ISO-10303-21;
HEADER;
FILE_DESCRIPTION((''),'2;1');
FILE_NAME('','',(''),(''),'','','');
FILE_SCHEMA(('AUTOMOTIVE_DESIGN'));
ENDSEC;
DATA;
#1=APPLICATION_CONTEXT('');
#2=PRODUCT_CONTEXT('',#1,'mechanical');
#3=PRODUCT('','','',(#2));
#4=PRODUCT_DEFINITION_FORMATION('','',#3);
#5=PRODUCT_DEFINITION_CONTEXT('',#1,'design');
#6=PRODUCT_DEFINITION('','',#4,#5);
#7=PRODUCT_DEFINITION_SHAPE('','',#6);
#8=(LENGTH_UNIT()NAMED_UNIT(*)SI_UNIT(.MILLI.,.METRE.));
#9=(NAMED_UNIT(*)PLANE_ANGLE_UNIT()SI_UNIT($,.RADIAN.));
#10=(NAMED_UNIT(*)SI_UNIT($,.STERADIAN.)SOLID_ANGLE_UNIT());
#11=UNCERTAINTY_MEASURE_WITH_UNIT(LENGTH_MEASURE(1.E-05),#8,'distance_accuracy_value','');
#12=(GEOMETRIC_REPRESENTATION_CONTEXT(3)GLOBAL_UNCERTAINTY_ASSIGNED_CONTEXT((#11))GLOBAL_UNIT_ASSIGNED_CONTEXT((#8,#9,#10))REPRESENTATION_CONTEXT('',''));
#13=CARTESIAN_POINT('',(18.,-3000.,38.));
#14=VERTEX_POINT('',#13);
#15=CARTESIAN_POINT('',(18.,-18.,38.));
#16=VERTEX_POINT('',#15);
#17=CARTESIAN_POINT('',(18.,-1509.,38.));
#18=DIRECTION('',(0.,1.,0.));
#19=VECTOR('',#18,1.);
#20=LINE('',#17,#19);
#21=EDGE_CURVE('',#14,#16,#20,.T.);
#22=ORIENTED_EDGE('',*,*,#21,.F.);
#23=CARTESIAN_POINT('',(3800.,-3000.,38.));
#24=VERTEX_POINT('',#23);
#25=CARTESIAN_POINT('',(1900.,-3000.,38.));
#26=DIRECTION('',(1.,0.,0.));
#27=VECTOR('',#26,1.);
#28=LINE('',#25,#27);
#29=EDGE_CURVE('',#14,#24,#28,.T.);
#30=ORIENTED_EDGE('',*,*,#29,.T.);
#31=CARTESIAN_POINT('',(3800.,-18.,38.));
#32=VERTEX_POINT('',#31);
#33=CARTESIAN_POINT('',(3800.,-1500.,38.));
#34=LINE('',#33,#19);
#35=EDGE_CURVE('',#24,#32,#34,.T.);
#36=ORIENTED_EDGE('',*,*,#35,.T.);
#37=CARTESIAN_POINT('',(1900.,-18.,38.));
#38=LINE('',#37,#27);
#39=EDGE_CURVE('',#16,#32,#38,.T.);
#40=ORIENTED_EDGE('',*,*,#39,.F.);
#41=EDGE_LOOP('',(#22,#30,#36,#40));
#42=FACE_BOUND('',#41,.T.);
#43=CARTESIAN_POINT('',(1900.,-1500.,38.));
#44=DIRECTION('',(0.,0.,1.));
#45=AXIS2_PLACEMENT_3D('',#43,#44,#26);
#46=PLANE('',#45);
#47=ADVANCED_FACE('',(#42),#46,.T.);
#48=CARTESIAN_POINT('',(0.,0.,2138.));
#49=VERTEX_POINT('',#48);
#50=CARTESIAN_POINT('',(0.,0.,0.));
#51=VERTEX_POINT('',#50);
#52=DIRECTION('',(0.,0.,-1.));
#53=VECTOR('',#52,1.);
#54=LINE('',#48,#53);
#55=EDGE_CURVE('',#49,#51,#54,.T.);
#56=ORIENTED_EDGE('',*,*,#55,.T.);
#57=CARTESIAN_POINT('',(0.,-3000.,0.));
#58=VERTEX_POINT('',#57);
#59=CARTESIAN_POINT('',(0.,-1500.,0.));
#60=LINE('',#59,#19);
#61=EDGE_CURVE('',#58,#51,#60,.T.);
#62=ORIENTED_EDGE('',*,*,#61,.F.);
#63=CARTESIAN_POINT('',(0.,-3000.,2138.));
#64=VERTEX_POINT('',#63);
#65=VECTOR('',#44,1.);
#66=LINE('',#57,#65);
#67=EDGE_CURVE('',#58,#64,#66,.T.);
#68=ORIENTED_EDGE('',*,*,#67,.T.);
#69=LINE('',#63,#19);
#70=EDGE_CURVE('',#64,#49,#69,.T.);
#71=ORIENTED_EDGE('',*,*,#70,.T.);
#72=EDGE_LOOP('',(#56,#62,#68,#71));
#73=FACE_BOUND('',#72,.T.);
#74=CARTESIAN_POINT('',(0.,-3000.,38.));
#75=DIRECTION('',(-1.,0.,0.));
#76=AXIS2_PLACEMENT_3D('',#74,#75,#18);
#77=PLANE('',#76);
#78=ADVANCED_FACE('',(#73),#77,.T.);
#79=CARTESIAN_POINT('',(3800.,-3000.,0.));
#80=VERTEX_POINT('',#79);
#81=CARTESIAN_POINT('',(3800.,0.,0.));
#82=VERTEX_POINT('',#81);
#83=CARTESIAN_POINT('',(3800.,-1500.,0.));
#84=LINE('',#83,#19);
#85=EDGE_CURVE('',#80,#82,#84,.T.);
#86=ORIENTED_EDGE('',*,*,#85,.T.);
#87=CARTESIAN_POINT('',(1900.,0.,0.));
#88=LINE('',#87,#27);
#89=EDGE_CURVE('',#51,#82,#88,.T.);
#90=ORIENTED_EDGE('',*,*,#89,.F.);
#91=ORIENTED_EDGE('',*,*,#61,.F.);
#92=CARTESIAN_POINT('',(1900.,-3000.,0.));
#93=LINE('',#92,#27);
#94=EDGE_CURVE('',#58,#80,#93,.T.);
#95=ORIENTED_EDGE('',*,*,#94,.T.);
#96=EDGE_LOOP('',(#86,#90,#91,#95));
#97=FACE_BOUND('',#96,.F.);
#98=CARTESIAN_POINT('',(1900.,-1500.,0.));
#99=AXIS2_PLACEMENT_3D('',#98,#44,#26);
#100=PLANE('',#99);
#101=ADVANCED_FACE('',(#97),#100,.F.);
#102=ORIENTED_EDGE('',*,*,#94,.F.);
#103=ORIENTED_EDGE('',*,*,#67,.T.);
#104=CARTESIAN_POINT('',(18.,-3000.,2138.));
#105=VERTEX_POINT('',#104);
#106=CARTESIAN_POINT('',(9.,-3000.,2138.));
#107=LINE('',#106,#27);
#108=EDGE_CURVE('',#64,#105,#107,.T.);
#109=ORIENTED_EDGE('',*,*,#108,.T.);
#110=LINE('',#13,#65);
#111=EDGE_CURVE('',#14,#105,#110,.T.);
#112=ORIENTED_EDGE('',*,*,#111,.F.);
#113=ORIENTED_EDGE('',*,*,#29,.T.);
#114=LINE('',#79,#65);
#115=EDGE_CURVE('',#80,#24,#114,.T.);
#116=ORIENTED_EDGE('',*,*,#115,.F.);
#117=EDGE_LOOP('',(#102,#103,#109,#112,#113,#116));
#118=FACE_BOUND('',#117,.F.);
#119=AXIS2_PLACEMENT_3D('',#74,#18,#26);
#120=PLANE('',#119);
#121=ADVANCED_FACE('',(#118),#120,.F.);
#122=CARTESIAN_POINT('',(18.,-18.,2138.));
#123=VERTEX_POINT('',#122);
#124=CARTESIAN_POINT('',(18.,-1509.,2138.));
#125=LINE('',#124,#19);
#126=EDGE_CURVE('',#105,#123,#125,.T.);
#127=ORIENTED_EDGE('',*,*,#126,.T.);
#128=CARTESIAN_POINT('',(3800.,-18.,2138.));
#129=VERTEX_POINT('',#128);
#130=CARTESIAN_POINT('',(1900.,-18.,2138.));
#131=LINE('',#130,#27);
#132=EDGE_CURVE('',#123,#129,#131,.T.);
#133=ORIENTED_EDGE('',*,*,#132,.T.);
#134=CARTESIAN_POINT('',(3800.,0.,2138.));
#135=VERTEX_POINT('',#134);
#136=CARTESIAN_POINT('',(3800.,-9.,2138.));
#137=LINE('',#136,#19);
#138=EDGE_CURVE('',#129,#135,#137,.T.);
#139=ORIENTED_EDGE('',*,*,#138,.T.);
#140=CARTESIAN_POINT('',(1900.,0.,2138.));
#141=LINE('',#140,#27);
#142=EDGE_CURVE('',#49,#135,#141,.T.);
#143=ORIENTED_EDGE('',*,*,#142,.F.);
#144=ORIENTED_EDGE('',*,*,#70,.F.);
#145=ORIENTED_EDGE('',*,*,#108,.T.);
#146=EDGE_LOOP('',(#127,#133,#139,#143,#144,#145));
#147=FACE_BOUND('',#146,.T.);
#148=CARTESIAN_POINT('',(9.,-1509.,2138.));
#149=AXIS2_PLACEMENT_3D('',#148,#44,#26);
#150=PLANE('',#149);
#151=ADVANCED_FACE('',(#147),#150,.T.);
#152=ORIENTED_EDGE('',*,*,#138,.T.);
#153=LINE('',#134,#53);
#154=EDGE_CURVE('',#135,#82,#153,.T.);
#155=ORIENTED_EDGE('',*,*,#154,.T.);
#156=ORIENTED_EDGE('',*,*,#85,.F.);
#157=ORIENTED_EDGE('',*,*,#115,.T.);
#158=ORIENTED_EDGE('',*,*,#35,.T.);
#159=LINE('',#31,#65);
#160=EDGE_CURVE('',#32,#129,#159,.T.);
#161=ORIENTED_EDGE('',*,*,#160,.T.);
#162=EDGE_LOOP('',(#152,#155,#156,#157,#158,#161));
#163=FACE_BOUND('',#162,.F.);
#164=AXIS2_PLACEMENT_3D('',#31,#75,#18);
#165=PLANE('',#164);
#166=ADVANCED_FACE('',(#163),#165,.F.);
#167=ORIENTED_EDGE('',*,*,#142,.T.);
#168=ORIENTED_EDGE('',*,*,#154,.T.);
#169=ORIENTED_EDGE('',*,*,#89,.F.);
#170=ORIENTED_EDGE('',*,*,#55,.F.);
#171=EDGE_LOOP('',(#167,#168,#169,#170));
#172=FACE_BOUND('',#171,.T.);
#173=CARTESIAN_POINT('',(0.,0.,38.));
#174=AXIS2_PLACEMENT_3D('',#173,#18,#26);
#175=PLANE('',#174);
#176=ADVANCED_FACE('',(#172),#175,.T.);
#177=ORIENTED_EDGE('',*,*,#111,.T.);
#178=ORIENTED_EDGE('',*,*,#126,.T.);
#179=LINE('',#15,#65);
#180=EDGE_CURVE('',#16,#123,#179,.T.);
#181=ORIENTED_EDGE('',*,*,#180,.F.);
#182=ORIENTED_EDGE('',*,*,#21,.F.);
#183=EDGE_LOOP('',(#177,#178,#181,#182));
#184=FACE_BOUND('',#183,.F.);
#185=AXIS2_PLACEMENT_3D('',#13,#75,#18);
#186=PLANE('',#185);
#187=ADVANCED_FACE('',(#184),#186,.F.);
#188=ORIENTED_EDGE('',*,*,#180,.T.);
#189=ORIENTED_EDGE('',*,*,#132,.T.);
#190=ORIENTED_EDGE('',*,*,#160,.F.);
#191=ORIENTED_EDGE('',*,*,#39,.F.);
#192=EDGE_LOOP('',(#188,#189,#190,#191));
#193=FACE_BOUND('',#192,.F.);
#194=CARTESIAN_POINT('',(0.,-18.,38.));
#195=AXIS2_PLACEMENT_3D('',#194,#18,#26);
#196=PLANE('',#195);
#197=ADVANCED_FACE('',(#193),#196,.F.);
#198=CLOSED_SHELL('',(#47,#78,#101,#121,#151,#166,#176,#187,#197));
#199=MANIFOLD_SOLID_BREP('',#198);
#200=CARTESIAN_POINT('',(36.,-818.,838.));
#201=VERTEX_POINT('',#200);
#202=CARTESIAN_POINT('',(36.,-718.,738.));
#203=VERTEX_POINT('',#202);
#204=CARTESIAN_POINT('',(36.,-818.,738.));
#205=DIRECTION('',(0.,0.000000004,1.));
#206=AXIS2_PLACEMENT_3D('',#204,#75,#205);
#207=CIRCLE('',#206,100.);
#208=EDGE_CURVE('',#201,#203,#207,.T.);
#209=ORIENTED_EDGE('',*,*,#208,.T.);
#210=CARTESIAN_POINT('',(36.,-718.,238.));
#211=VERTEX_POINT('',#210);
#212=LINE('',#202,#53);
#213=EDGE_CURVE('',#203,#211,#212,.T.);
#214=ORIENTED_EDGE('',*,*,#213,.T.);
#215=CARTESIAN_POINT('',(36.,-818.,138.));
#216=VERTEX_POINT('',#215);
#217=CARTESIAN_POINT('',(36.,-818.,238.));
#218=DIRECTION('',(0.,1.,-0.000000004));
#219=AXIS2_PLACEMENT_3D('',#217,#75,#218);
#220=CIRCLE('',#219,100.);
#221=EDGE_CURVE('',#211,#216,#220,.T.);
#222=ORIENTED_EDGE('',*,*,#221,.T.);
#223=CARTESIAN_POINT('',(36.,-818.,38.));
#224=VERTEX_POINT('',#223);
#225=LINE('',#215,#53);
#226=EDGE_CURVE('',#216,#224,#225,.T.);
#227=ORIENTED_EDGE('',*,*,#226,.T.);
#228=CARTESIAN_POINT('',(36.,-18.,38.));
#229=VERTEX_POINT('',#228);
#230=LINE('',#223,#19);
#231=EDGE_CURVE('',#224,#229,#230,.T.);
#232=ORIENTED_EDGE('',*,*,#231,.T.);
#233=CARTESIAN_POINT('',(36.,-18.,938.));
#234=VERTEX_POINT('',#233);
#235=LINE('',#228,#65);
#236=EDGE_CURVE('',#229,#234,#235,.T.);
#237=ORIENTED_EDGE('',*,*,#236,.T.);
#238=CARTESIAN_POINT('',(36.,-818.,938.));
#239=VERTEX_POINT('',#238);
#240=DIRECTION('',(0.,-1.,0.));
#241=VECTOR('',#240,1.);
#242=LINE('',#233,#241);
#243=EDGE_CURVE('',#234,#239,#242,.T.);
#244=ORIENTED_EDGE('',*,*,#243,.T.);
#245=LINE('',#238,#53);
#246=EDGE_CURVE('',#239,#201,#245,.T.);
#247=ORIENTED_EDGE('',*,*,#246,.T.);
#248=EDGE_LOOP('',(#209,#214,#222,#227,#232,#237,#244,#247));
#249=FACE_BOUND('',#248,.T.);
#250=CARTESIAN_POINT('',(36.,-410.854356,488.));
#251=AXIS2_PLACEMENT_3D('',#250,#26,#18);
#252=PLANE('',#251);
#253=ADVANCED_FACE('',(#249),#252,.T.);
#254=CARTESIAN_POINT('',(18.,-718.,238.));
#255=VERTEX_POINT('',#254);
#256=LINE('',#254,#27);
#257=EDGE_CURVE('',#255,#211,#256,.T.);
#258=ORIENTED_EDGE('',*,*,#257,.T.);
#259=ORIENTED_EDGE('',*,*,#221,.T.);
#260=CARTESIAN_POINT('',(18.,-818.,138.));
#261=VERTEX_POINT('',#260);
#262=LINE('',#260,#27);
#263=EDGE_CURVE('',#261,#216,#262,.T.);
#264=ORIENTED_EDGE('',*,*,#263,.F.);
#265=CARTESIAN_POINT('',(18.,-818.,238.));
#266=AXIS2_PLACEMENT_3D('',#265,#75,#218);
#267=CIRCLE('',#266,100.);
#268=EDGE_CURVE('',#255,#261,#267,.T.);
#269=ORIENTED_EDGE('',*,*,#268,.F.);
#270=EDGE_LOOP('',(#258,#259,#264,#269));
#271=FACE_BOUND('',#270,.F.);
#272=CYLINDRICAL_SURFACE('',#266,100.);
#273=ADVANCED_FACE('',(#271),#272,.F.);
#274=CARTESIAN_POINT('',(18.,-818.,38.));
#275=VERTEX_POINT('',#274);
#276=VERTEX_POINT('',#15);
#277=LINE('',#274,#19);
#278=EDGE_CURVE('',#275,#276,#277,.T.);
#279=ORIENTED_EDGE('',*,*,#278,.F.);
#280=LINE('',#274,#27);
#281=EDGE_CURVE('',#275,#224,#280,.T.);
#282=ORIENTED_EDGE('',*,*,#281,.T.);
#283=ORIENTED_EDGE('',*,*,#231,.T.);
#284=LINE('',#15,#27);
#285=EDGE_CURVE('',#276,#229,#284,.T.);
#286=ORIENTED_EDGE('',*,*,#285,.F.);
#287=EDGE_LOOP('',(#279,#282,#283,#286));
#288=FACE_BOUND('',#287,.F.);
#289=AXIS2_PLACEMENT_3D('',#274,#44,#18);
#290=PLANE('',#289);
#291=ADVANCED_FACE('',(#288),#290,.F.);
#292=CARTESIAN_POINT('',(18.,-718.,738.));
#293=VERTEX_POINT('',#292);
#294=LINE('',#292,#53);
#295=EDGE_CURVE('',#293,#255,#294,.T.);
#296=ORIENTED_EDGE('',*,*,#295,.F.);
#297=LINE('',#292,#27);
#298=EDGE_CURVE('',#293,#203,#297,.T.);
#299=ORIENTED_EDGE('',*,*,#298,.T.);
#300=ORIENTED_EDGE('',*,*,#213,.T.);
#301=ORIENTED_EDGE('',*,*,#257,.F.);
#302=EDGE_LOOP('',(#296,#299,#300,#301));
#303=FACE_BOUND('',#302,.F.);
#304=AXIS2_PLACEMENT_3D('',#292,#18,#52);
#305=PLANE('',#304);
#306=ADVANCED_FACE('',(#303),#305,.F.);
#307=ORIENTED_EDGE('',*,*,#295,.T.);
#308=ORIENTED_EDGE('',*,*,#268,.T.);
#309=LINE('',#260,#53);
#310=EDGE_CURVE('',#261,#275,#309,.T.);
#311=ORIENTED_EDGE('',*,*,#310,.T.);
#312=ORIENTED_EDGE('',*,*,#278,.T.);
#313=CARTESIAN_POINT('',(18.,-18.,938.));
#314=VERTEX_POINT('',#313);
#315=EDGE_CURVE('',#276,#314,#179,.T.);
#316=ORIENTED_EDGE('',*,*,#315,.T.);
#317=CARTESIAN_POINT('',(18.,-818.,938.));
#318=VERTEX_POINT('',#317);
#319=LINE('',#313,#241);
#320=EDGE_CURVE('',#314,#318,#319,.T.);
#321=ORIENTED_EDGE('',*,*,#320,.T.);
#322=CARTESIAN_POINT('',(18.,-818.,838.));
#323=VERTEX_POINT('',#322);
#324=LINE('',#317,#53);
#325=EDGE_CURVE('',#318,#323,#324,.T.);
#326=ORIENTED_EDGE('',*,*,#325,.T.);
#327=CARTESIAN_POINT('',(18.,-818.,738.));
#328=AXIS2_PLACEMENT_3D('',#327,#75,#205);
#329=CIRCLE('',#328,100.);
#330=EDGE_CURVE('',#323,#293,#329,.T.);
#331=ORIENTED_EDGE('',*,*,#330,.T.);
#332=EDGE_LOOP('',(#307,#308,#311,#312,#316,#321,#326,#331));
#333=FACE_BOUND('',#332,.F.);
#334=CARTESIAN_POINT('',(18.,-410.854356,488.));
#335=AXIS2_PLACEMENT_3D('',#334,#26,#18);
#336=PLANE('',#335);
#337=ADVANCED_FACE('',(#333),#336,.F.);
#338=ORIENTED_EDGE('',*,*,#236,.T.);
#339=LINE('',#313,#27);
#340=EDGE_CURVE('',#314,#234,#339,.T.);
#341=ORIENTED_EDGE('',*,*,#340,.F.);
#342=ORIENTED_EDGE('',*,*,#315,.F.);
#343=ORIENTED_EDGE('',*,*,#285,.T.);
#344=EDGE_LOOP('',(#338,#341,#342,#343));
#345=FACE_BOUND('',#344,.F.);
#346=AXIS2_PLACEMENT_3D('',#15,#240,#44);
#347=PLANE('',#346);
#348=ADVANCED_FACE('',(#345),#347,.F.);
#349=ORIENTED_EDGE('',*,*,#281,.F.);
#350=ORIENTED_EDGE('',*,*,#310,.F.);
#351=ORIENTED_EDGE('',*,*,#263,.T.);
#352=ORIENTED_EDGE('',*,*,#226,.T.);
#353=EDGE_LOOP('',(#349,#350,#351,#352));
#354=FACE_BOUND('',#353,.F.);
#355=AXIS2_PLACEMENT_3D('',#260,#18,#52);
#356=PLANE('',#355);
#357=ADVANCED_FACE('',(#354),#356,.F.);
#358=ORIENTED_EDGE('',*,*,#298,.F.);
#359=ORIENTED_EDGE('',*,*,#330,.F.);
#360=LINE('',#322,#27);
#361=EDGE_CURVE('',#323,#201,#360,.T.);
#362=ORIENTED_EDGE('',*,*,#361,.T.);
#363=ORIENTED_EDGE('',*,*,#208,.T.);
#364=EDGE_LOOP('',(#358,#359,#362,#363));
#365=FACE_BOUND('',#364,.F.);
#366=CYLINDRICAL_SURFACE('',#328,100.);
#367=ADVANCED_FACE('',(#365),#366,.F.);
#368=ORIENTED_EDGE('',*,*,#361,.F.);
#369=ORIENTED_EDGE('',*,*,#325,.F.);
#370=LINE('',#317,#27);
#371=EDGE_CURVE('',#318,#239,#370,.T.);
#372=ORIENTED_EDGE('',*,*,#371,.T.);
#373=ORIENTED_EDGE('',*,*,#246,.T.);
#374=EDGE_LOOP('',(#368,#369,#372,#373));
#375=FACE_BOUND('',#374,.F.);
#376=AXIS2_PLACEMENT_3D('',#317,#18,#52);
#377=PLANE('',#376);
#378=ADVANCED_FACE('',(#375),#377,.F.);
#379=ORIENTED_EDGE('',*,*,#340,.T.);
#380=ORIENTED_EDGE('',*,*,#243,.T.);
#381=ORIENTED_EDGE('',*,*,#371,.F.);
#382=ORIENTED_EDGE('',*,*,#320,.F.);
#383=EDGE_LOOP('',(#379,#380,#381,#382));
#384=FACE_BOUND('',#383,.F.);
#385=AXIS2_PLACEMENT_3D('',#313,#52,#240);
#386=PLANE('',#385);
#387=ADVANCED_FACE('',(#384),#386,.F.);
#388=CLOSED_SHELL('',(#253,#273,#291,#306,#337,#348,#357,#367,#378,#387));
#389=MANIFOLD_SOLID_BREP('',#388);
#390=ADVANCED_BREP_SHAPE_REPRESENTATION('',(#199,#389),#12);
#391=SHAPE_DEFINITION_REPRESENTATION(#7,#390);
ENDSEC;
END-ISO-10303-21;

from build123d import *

# Parameters (mm, degrees)
F0_W     = 3800
F0_H     = 3000
F1_DEPTH = 38
F2_W     = 3800
F2_H     = 18
F3_DEPTH = 2100
F4_W     = 18
F4_H     = 2982
F5_DEPTH = 2100
F7_DEPTH = 18


with BuildPart() as f1:
    # F0 (on Top) → F1 (new body)
    with BuildSketch(Plane.XY):
        with Locations((1900, -1500)):
            Rectangle(F0_W, F0_H)
    extrude(amount=F1_DEPTH)

    # F2 (on face) → F3 (join)
    with BuildSketch(Plane.XY.offset(38)):
        with Locations((1900, -9)):
            Rectangle(F2_W, F2_H)
    extrude(amount=F3_DEPTH)

    # F4 (on face) → F5 (join)
    with BuildSketch(Plane.XY.offset(38)):
        with Locations((9, -1509)):
            Rectangle(F4_W, F4_H)
    extrude(amount=F5_DEPTH)


with BuildPart() as f7:
    # F6 (on face) → F7 (new body)
    with BuildSketch(Plane.YZ.offset(18)):
        with BuildLine():
            Line((-818, 138), (-818, 38))
            Line((-818, 38), (-18, 38))
            Line((-18, 38), (-18, 938))
            Line((-18, 938), (-818, 938))
            Line((-818, 938), (-818, 838))
            ThreePointArc((-818, 838), (-747.289322, 808.710678), (-718, 738))
            Line((-718, 738), (-718, 238))
            ThreePointArc((-718, 238), (-747.289322, 167.289322), (-818, 138))
        make_face()
    extrude(amount=F7_DEPTH)


solid = Compound([f1.part, f7.part])
